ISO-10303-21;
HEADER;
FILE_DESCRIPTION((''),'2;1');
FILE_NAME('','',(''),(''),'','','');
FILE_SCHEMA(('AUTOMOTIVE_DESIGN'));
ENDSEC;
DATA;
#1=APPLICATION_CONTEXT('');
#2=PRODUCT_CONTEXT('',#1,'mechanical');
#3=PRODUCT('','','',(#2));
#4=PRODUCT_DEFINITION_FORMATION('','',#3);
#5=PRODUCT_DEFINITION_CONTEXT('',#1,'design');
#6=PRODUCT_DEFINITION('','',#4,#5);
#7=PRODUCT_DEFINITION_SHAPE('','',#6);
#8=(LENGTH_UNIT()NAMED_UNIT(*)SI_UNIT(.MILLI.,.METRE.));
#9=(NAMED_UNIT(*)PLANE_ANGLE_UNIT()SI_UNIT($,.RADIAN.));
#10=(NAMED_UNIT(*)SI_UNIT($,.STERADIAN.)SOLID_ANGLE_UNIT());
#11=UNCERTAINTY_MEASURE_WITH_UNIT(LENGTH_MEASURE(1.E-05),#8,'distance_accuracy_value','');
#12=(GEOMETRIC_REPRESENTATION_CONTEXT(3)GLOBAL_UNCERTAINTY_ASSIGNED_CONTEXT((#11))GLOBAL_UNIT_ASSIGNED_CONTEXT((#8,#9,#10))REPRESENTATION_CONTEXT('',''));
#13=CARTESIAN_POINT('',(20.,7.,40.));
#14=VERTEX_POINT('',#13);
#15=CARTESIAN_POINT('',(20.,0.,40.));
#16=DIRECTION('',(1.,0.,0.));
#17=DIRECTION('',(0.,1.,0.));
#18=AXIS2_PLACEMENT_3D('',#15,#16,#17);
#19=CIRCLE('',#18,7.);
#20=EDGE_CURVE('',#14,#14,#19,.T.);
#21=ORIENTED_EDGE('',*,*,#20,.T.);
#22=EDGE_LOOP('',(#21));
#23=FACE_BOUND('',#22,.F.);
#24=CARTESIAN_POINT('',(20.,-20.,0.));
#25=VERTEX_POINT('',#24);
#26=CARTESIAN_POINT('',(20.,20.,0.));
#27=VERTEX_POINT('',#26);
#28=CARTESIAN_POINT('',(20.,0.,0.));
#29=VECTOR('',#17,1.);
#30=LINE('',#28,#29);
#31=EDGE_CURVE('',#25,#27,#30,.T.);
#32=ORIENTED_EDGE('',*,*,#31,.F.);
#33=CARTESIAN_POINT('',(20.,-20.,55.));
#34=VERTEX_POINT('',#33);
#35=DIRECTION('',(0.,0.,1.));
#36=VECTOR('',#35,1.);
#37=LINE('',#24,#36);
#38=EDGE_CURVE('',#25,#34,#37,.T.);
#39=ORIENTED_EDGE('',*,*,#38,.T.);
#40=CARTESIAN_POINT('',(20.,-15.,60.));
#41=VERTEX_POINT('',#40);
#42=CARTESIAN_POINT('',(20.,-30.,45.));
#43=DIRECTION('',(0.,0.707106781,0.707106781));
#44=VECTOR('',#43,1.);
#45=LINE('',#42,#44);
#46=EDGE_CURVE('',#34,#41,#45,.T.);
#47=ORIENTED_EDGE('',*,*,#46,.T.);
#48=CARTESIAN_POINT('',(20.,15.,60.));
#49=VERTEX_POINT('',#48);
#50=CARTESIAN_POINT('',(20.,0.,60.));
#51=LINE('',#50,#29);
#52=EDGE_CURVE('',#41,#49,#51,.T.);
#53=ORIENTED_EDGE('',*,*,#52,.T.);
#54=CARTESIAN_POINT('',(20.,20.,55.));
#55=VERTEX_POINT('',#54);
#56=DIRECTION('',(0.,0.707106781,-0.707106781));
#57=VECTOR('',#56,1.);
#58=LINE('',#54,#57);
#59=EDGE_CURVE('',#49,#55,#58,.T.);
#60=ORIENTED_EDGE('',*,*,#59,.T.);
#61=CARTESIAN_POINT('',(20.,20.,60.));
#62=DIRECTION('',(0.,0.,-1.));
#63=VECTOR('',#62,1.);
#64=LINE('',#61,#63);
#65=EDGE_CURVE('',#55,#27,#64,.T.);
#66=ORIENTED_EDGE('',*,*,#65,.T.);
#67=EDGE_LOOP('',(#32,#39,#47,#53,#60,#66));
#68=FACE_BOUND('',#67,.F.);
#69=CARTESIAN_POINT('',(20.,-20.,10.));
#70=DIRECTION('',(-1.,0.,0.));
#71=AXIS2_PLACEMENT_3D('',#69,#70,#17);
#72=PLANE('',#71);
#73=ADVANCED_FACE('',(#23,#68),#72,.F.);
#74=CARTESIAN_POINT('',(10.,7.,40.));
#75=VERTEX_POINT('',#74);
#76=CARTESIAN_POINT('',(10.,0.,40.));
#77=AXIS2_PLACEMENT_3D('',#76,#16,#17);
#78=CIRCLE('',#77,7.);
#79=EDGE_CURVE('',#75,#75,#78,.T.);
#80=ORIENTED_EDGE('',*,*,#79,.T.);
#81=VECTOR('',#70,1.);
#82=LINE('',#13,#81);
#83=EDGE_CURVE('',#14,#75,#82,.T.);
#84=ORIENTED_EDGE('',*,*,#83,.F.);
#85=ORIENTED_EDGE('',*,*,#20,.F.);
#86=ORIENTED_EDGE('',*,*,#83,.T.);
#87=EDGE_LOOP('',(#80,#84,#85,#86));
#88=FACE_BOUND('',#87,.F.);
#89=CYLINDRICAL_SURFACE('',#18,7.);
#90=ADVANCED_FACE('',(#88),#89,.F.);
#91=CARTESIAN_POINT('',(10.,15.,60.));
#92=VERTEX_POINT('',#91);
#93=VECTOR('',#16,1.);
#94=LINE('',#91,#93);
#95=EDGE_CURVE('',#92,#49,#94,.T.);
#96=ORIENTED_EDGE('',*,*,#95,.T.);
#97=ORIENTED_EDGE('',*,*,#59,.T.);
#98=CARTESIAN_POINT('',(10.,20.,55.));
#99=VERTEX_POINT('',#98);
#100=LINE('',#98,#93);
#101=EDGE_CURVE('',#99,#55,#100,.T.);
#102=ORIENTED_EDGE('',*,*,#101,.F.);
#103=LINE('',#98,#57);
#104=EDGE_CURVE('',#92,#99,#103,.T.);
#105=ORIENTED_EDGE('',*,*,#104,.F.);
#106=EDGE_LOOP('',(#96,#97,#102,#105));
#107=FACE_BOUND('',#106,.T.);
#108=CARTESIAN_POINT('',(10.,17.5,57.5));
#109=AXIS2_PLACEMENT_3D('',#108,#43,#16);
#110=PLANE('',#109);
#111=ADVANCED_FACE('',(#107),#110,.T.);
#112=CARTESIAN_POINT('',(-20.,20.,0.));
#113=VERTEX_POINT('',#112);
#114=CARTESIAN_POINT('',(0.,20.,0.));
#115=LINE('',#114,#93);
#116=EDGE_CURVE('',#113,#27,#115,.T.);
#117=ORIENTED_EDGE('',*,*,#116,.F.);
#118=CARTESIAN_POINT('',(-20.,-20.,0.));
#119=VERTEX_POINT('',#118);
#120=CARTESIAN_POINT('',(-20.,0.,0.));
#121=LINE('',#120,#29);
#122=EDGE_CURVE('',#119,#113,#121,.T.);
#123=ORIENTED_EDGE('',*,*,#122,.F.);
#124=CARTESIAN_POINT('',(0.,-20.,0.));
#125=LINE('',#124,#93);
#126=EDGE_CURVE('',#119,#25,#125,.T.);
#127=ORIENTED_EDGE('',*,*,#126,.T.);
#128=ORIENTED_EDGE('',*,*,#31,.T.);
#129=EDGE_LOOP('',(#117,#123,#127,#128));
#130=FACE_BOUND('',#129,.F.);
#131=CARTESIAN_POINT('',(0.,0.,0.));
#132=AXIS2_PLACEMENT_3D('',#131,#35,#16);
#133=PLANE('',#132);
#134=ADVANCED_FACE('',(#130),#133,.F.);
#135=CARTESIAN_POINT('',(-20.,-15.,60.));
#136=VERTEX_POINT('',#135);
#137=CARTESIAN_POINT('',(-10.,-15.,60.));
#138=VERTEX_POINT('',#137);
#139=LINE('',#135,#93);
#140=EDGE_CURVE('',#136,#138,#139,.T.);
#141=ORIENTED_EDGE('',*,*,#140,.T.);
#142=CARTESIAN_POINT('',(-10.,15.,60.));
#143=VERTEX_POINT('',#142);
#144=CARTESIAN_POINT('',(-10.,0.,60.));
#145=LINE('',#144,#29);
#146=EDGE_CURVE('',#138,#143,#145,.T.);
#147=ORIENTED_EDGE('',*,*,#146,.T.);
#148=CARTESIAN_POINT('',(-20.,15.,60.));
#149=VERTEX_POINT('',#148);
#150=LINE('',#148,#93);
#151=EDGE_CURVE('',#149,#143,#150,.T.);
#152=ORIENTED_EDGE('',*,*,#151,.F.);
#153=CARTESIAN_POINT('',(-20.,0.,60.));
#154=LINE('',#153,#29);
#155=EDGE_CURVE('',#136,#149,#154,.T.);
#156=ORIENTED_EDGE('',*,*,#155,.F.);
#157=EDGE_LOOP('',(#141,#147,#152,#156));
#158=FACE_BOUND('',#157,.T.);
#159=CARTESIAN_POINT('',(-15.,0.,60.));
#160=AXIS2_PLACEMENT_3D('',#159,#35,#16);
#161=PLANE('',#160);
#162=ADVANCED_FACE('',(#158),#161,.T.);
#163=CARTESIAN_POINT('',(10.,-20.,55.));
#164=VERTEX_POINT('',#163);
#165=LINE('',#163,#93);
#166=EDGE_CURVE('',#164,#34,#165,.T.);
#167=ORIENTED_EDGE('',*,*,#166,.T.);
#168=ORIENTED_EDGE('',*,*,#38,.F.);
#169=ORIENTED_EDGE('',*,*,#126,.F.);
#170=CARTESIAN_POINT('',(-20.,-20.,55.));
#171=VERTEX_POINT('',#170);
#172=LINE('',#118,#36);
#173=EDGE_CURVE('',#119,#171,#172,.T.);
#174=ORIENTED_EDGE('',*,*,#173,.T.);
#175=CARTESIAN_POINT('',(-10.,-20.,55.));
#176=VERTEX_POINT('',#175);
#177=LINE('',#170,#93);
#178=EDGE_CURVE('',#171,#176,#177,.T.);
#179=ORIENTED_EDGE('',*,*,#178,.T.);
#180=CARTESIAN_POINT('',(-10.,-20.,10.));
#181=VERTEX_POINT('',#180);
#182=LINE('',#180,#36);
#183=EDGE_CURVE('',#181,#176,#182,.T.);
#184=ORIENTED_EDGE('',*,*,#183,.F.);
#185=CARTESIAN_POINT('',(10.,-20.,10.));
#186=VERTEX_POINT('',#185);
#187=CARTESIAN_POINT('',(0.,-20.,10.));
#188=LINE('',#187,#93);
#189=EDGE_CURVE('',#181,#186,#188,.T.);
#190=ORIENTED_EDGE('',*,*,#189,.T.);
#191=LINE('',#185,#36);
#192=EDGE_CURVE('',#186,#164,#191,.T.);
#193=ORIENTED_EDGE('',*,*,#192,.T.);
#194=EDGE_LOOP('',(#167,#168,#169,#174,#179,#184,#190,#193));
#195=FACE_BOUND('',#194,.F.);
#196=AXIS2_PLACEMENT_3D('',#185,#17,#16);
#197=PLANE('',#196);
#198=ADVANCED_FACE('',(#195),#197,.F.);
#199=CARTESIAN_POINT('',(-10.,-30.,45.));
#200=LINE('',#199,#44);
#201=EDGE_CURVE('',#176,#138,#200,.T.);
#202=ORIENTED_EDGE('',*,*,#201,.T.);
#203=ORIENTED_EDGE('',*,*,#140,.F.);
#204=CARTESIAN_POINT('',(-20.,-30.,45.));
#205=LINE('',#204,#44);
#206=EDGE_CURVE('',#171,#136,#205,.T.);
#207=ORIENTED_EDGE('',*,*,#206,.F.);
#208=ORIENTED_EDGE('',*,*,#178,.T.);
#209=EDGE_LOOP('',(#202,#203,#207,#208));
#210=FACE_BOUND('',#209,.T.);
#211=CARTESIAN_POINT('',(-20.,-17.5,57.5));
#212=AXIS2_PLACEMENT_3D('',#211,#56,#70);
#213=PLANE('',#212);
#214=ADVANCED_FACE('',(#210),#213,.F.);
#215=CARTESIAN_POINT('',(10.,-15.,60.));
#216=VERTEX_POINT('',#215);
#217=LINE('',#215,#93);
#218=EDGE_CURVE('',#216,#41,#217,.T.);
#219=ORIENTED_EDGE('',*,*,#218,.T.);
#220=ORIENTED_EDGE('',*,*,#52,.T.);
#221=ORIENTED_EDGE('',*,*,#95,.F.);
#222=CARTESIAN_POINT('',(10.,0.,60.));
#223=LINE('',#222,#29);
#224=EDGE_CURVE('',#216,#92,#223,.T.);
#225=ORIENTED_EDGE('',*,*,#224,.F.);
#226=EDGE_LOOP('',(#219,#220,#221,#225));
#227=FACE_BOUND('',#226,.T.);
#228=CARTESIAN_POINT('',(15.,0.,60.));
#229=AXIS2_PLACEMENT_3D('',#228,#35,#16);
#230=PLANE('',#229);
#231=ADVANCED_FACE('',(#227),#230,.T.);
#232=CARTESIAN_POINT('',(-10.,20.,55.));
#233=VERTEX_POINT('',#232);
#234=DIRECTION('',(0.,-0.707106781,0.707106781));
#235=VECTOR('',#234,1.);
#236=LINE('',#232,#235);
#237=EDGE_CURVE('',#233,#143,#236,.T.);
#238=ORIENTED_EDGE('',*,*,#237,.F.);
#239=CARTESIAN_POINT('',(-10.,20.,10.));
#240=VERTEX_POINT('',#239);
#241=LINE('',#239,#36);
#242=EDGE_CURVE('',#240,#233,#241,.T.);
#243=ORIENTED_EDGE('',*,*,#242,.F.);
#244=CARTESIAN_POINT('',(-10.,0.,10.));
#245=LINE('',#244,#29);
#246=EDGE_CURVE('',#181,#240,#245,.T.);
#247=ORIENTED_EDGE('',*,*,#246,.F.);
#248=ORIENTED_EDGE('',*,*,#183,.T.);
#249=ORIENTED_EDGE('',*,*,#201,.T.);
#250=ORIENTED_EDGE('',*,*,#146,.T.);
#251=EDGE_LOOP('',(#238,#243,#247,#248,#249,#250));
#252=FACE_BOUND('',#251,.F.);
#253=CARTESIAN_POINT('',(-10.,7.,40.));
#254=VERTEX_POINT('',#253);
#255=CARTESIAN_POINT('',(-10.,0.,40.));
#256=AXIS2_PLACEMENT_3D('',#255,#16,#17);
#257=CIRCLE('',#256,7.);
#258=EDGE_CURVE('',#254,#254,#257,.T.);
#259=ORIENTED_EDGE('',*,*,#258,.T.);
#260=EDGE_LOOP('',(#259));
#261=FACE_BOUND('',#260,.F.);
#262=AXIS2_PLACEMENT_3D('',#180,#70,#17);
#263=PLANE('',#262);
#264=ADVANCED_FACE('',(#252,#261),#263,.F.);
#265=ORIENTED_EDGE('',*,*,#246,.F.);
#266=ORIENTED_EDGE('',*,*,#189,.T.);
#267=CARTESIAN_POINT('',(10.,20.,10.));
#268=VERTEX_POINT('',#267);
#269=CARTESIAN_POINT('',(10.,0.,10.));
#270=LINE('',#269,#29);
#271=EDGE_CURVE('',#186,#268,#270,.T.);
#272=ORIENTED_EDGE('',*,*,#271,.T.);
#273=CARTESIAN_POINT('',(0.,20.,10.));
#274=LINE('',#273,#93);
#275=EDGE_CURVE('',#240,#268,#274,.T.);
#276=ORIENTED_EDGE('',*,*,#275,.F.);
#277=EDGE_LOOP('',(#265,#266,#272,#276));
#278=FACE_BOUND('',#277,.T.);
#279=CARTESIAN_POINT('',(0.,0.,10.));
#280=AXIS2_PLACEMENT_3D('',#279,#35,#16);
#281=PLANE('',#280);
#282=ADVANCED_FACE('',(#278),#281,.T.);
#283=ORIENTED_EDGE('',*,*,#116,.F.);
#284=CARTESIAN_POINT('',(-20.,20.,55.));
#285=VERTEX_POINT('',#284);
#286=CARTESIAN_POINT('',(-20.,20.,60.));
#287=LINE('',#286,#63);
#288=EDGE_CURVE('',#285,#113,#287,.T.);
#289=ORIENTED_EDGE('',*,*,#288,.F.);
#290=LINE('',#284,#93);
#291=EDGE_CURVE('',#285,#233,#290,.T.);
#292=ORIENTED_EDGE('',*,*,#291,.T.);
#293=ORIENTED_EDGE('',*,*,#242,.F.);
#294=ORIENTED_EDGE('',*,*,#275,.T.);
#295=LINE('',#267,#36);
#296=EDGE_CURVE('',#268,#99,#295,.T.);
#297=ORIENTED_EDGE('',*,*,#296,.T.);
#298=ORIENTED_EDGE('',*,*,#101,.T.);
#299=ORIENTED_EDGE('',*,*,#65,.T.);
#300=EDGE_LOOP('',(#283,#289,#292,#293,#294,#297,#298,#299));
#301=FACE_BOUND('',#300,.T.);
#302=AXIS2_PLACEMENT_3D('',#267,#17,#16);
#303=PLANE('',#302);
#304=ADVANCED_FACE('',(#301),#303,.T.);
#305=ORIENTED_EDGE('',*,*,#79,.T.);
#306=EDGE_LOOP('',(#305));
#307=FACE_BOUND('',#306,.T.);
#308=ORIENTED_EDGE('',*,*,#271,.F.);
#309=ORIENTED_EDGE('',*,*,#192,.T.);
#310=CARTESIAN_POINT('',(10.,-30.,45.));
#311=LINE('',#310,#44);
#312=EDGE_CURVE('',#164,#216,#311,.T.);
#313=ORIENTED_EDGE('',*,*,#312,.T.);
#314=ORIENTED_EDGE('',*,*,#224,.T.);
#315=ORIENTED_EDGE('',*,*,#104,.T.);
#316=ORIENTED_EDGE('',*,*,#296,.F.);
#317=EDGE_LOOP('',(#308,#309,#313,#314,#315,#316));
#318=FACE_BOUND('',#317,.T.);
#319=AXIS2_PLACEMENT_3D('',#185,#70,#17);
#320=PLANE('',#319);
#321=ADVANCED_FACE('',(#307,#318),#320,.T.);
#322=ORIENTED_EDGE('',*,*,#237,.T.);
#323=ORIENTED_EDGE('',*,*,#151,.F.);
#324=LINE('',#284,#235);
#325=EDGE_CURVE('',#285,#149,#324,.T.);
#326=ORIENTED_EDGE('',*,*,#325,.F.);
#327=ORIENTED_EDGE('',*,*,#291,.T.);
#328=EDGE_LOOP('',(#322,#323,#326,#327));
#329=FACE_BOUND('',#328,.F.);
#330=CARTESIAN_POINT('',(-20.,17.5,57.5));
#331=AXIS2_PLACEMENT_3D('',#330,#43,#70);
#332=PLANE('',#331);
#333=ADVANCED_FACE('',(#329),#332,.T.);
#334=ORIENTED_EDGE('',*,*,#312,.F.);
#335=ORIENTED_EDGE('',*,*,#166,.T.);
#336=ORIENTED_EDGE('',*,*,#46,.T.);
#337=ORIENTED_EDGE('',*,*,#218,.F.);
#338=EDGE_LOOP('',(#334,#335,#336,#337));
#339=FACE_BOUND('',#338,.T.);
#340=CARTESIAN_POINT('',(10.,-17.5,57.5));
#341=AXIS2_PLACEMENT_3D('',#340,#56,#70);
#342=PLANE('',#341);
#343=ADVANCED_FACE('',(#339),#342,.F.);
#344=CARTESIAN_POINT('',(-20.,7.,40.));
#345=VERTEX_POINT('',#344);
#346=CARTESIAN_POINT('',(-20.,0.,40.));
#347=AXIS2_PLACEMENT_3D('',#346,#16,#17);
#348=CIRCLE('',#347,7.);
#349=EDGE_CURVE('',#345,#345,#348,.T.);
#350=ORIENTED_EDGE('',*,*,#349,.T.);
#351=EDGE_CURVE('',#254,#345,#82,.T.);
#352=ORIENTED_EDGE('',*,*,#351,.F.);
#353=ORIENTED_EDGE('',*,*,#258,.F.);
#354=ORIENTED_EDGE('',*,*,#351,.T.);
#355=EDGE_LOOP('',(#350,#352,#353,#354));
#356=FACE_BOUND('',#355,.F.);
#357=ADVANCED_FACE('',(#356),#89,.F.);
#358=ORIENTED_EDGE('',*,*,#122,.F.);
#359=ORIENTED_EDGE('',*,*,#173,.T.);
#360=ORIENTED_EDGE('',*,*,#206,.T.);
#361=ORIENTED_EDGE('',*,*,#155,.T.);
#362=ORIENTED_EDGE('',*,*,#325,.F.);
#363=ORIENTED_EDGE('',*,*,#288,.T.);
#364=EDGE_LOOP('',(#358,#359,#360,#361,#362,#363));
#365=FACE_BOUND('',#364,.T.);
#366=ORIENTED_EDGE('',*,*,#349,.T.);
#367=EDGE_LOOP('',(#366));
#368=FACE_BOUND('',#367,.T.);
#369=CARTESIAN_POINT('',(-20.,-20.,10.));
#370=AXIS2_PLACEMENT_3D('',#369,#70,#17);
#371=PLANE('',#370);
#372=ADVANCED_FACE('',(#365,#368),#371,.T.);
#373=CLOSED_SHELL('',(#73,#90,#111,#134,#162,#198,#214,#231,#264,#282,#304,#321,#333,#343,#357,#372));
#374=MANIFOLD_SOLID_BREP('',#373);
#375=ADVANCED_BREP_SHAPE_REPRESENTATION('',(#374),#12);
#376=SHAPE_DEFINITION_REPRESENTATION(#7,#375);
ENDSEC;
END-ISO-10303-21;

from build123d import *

# Parameters (mm, degrees)
F0_W     = 40
F0_H     = 40
F1_DEPTH = 10
F2_W     = 10
F2_H     = 40
F3_DEPTH = 50
F4_W     = 10
F4_H     = 40
F5_DEPTH = 50
F6_R     = 7
F7_DEPTH = 96.2
F8_SIZE  = 5


with BuildPart() as f1:
    # F0 (on Top) → F1 (new body)
    with BuildSketch(Plane.XY):
        Rectangle(F0_W, F0_H)
    extrude(amount=F1_DEPTH)

    # F2 (on face) → F3 (join)
    with BuildSketch(Plane.XY.offset(10)):
        with Locations((-15, 0)):
            Rectangle(F2_W, F2_H)
    extrude(amount=F3_DEPTH)

    # F4 (on face) → F5 (join)
    with BuildSketch(Plane.XY.offset(10)):
        with Locations((15, 0)):
            Rectangle(F4_W, F4_H)
    extrude(amount=F5_DEPTH)

    # F6 (on face) → F7 (cut)
    with BuildSketch(Plane.YZ.offset(20)):
        with Locations((0, 40)):
            Circle(F6_R)
    extrude(amount=-F7_DEPTH, mode=Mode.SUBTRACT)

    # F8
    f8_edges = [f1.edges().sort_by_distance(p)[0] for p in [
        (-15, -20, 60),
        (15, -20, 60),
        (15, 20, 60),
        (-15, 20, 60),
    ]]
    chamfer(f8_edges, length=F8_SIZE)


solid = f1.part
